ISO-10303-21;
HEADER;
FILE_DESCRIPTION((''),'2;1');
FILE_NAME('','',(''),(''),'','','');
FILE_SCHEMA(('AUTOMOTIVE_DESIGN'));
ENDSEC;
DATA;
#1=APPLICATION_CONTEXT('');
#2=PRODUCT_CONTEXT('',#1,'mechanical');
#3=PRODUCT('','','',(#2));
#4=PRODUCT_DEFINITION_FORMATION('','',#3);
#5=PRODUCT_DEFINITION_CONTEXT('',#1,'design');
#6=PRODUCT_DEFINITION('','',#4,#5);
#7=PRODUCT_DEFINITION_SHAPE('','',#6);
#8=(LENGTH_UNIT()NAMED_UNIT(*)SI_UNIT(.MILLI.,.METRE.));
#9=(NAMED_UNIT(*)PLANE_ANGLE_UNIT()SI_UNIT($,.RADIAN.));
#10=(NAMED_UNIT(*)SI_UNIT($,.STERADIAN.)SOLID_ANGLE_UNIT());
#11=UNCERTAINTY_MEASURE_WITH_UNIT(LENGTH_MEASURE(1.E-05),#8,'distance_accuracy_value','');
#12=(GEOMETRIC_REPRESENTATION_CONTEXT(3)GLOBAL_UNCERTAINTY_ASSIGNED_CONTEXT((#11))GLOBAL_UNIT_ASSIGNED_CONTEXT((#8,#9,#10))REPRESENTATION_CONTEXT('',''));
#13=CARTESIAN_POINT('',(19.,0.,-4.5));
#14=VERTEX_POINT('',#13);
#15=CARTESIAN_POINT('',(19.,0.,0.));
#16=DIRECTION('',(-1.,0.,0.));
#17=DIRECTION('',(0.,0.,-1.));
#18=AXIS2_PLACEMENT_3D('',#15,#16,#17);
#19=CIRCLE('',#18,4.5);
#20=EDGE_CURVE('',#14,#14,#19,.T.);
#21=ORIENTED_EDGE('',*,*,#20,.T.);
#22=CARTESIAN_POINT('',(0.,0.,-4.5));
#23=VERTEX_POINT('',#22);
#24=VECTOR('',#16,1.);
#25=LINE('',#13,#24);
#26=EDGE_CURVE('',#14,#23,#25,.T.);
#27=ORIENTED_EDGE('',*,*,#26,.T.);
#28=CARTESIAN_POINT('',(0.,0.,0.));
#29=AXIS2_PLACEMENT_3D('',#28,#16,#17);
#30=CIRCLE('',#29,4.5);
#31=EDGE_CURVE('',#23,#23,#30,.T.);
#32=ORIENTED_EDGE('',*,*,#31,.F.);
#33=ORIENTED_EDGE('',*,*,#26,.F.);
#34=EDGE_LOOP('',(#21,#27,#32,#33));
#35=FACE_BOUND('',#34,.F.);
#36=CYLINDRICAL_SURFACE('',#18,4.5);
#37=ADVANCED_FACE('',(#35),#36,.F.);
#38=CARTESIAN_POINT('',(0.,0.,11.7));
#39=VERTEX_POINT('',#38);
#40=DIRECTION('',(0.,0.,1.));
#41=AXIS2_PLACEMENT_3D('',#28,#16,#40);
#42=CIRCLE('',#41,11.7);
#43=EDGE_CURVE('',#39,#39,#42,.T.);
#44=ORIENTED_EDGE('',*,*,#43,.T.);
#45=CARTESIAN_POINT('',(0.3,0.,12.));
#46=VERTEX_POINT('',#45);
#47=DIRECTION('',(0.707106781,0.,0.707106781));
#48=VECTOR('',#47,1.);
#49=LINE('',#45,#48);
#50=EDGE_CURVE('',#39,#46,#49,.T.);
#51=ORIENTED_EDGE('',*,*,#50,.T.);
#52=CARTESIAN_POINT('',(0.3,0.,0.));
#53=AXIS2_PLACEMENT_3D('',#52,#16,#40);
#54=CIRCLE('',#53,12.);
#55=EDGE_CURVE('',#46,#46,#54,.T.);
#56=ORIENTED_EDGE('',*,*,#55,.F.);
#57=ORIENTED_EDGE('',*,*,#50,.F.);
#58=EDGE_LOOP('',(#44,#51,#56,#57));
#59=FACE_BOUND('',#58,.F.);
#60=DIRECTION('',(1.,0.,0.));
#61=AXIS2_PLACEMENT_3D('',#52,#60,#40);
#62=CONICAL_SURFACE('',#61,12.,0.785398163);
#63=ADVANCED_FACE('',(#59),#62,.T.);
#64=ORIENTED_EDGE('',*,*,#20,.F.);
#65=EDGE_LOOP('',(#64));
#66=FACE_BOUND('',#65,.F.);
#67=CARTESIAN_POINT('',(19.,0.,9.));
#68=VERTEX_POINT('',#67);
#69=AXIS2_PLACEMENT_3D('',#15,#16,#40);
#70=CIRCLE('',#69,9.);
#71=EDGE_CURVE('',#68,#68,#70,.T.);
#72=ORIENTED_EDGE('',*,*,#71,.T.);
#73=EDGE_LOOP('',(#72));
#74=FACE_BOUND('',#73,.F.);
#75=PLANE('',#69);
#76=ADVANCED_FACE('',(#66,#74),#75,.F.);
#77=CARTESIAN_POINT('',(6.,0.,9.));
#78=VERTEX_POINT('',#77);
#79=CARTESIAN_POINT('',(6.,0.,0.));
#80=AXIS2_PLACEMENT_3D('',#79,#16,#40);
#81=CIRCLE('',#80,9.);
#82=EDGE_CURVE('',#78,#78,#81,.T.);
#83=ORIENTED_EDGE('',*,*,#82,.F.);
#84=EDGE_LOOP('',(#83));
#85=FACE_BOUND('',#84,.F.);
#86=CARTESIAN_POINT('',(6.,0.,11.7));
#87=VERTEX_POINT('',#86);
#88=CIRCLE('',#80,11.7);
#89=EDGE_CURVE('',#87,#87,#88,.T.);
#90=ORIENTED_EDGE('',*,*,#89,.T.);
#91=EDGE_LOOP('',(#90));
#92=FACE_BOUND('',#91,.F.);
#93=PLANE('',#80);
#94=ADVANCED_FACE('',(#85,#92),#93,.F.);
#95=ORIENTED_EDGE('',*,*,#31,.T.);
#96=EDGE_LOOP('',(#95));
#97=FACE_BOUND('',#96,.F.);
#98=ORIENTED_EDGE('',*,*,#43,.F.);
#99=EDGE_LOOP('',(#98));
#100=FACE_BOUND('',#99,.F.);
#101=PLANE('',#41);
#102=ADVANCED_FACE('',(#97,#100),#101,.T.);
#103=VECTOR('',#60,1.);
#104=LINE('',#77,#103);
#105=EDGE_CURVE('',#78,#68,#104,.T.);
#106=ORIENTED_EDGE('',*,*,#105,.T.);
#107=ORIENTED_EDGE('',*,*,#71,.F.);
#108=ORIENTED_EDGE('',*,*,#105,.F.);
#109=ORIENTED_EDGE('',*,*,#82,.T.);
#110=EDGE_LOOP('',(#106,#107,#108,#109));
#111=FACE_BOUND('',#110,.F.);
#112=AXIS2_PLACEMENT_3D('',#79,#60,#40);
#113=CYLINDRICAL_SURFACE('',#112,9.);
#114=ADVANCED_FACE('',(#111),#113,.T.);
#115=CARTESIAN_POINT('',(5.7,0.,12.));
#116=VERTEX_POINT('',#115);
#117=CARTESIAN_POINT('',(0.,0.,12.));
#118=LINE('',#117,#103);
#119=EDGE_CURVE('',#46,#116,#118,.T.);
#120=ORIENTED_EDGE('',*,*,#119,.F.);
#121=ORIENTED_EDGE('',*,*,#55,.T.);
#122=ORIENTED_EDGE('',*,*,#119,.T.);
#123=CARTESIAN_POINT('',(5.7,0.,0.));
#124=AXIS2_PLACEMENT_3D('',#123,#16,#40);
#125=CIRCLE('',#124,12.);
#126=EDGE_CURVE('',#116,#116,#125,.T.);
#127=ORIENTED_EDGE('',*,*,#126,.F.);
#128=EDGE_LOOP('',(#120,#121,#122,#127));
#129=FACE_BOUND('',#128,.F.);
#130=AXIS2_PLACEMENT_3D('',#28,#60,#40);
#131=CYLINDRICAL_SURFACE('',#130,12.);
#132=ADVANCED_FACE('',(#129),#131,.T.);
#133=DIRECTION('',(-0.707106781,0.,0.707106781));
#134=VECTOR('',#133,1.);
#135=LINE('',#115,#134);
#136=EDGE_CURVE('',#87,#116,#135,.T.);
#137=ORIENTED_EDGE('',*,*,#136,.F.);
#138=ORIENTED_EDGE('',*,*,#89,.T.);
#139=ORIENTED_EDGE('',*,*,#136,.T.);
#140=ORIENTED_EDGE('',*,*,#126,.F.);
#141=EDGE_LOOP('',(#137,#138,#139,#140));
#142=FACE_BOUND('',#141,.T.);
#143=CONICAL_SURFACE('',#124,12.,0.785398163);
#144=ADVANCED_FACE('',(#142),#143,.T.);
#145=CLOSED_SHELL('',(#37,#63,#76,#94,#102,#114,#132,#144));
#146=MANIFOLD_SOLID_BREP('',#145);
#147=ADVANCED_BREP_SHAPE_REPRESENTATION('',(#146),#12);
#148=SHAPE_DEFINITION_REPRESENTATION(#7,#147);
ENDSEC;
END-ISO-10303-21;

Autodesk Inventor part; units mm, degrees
ref_plane "YZ Plane" through (0, 0, 0) normal (1, 0, 0) x (0, 1, 0)
ref_plane "XZ Plane" through (0, 0, 0) normal (0, 1, 0) x (-1, 0, 0)
sketch "Skizze1" plane through (0, 0, 0) normal (0, 1, 0) x (-1, 0, 0)
  line L0 (0, 0) -> (0, 12)
  line L1 (0, 12) -> (-6, 12)
  line L2 (-6, 12) -> (-6, 9)
  line L3 (-6, 9) -> (-19, 9)
  line L4 (-19, 9) -> (-19, 0)
  line L5 (-19, 0) -> (0, 0)
  dimension "d0" = 24
  dimension "d1" = 18
  dimension "d2" = 6
  dimension "d3" = 13
revolve "Umdrehung1" add sketch "Skizze1" angle 360 about axis through (19, 0, 0) along (-1, 0, 0)
sketch "Skizze2" plane through (19, 0, 0) normal (1, 0, 0) x (0, 0, -1)
  circle A0 centre (0, 0) radius 9 projected
hole "Bohrung1" at (19, 0, 0) direction (-1, 0, 0) diameter 9 depth 19
thread "Gewinde1" size "M18x2.5" class "6g" standard "ISO Metric profile" length 18
ref_plane "Arbeitsebene1" through (0, 0, 12) normal (0, 0, 1) x (1, 0, 0)
chamfer "Fasen1" distance 0.3 angle 45 2 edges at (0, 0, -12) (6, 0, -12)
properties part number "1102"
